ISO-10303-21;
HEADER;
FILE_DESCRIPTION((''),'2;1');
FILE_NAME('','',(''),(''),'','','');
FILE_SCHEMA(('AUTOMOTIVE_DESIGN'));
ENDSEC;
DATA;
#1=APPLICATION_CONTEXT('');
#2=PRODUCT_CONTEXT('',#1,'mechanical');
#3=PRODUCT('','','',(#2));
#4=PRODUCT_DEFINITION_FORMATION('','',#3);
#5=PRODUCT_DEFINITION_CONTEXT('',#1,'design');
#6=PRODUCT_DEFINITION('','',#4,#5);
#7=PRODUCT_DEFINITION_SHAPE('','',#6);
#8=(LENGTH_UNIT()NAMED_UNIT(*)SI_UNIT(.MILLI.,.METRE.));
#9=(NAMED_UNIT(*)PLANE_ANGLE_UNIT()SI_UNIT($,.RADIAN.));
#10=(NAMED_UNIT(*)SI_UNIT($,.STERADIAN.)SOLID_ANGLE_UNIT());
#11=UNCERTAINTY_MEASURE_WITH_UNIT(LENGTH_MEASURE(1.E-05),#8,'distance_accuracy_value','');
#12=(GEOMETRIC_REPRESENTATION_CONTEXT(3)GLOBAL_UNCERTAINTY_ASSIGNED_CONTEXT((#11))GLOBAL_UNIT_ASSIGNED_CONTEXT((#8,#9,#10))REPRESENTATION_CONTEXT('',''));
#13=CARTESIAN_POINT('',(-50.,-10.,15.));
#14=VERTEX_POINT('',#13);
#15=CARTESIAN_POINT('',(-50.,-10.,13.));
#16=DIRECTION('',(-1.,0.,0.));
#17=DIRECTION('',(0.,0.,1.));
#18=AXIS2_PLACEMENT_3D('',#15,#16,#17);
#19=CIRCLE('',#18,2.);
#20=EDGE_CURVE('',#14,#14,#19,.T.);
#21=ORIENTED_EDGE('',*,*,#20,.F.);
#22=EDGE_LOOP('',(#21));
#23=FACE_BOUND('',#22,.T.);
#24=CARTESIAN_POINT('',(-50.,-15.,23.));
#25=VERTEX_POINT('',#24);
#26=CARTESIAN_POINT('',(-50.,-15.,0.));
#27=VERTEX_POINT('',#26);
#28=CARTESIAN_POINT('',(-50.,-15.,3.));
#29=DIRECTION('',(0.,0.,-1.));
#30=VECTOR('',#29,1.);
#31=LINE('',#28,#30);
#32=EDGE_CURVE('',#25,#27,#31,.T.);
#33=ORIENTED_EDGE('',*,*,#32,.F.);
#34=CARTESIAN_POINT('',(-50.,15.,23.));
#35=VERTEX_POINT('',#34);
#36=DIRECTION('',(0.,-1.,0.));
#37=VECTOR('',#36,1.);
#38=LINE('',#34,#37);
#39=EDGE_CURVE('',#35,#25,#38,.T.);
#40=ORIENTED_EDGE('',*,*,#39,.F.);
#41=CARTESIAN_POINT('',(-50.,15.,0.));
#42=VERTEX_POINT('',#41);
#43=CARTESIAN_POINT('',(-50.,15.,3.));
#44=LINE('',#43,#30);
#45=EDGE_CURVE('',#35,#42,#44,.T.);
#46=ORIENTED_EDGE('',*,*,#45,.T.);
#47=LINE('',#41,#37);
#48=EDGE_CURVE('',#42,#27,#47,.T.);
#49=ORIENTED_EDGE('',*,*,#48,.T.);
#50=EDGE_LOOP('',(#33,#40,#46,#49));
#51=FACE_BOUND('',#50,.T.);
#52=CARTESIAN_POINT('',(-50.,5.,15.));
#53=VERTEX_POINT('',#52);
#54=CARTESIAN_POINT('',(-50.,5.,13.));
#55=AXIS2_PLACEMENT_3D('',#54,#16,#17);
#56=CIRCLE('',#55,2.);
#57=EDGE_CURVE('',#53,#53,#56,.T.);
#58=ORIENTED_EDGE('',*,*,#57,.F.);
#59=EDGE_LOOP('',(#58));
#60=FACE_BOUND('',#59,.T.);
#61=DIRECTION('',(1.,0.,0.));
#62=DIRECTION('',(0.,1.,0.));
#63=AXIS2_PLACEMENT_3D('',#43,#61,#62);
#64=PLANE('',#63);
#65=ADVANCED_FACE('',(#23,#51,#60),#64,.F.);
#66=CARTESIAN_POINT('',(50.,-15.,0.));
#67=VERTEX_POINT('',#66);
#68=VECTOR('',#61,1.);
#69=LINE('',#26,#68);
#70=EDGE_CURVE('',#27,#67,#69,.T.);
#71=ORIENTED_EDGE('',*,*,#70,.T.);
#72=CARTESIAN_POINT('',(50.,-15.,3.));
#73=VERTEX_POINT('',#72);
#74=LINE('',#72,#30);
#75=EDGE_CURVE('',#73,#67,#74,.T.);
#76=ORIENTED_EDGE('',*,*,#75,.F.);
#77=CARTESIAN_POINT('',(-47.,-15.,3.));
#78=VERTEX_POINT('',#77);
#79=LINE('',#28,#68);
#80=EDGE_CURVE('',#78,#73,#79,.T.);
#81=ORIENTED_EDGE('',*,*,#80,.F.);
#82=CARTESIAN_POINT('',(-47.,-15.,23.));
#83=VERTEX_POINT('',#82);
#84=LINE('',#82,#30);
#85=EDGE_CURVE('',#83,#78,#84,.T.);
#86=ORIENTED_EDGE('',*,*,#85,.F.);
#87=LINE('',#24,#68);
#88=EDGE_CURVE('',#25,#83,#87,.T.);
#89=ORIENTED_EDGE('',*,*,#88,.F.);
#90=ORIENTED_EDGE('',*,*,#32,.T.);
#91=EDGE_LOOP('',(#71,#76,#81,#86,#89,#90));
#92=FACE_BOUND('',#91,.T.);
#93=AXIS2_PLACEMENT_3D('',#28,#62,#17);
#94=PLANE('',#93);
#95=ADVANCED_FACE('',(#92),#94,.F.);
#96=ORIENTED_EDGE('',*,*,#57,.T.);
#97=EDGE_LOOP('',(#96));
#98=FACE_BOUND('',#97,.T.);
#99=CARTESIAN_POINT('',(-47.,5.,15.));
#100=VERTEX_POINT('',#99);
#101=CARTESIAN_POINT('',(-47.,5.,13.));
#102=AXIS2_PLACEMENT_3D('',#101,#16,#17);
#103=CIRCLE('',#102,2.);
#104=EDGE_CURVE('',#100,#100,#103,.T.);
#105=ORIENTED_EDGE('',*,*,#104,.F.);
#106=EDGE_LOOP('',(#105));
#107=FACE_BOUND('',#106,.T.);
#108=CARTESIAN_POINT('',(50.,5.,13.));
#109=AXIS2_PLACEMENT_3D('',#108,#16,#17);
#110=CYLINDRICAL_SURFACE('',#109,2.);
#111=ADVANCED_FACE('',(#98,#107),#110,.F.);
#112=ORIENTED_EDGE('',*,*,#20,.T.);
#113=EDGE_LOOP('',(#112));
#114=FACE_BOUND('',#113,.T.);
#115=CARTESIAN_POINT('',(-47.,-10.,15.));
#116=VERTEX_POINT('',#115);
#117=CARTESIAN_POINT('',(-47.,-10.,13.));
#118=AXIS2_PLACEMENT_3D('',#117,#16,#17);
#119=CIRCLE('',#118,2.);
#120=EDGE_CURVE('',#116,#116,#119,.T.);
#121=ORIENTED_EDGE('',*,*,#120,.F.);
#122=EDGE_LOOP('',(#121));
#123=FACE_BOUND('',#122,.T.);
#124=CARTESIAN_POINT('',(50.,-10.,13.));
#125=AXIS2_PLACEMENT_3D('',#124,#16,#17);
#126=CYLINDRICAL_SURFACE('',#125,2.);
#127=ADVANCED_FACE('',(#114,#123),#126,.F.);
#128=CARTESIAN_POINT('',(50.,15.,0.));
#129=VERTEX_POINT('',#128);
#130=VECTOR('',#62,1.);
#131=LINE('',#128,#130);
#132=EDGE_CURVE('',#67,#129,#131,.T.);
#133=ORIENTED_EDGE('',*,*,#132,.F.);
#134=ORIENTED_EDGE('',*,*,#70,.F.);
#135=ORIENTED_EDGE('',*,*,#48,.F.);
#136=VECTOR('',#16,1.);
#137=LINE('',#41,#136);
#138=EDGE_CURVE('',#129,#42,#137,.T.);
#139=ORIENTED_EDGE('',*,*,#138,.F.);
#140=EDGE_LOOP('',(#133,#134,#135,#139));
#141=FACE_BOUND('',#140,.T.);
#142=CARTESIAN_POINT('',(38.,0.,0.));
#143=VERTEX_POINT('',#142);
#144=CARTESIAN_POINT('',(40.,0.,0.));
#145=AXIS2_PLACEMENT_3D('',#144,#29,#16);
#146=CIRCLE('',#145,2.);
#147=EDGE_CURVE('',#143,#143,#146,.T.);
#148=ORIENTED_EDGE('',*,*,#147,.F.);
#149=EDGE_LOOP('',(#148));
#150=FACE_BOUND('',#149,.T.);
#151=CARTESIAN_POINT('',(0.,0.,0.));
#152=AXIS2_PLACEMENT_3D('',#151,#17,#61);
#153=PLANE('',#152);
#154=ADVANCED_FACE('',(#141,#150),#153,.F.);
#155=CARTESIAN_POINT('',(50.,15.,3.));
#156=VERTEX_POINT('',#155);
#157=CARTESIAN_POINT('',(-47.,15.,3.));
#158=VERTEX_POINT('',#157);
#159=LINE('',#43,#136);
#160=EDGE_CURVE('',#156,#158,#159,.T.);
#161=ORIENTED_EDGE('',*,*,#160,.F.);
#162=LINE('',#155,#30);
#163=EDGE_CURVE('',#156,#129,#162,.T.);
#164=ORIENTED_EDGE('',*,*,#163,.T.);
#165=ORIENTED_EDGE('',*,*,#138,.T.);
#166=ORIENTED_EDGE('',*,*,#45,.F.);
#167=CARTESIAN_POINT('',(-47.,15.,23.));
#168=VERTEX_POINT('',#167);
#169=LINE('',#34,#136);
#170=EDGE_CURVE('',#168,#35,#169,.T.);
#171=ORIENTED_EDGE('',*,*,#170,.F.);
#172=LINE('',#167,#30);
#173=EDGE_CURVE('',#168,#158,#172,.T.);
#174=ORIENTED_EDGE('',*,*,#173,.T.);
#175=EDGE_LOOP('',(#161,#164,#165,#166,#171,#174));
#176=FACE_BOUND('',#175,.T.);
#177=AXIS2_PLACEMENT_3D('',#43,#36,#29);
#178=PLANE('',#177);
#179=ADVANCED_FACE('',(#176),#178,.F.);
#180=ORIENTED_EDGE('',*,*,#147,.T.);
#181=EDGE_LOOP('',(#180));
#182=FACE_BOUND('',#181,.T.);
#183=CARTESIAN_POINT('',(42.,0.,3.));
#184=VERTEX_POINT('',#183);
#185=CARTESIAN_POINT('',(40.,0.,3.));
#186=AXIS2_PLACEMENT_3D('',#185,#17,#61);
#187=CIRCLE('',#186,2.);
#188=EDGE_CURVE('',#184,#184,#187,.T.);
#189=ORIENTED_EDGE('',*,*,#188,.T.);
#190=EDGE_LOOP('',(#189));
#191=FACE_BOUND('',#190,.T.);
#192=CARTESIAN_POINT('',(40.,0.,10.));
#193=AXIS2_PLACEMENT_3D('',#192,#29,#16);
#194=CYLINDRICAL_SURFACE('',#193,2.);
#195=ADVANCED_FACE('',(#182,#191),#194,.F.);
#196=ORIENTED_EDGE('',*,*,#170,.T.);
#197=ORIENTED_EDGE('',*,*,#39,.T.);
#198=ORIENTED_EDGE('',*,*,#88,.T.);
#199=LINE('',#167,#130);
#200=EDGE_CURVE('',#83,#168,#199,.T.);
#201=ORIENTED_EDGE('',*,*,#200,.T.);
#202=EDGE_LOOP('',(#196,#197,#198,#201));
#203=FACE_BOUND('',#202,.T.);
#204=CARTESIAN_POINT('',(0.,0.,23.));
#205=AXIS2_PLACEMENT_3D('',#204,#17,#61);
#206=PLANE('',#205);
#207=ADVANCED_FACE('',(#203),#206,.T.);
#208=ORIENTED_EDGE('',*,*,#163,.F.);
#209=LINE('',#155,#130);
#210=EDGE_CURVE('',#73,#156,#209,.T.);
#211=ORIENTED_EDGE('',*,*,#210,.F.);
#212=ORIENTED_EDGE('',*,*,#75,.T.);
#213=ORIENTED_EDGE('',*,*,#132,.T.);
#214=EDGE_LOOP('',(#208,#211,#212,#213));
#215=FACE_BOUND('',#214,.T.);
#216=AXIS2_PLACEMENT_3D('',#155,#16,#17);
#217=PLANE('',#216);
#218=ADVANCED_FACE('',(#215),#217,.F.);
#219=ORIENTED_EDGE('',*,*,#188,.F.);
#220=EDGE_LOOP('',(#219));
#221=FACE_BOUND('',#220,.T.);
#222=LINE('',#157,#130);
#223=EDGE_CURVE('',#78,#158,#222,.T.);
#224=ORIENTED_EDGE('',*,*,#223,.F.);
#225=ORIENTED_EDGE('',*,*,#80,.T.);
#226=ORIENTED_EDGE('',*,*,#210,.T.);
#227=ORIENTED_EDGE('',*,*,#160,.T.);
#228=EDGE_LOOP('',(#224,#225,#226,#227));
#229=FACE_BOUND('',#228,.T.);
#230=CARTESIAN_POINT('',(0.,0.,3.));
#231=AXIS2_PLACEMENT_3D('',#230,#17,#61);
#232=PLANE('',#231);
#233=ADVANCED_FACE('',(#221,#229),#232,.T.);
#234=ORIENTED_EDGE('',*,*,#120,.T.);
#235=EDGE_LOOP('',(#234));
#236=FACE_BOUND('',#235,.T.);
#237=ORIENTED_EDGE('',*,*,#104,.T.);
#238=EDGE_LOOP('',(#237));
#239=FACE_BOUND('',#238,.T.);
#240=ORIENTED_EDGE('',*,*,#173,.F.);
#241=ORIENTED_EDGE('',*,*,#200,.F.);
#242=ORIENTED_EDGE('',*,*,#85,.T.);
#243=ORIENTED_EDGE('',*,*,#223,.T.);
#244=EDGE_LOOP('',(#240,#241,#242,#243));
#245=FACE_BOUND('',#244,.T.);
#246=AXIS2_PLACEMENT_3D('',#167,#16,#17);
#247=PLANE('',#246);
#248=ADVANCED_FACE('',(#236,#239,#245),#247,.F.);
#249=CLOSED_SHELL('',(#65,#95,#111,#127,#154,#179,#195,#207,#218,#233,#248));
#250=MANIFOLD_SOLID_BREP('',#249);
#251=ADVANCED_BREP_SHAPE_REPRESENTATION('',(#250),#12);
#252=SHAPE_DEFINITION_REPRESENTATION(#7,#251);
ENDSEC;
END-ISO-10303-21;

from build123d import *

# Parameters (mm, degrees)
SKETCH1_W           = 100
SKETCH1_H           = 30
BOSS_EXTRUDE1_DEPTH = 3
SKETCH2_W           = 3
SKETCH2_H           = 30
BOSS_EXTRUDE2_DEPTH = 20
SKETCH3_R           = 2
CUT_EXTRUDE1_DEPTH  = 104.701494685
SKETCH4_R           = 2
CUT_EXTRUDE2_DEPTH  = 10


with BuildPart() as part:
    # Sketch1 → Boss-Extrude1 (new body)
    with BuildSketch(Plane.XY):
        Rectangle(SKETCH1_W, SKETCH1_H)
    extrude(amount=BOSS_EXTRUDE1_DEPTH)

    # Sketch2 → Boss-Extrude2 (add)
    with BuildSketch(Plane.XY.offset(3)):
        with Locations((-48.5, 0)):
            Rectangle(SKETCH2_W, SKETCH2_H)
    extrude(amount=BOSS_EXTRUDE2_DEPTH)

    # Sketch3 → Cut-Extrude1 (cut, through all)
    with BuildSketch(Plane.ZY.offset(50)):
        with Locations((13, 5)):
            Circle(SKETCH3_R)
        with Locations((13, -10)):
            Circle(SKETCH3_R)
    extrude(amount=-CUT_EXTRUDE1_DEPTH, mode=Mode.SUBTRACT)

    # Sketch4 → Cut-Extrude2 (cut)
    with BuildSketch(Plane(origin=(0, 0, 0), x_dir=(-1, 0, 0), z_dir=(0, 0, -1))):
        with Locations((-40, 0)):
            Circle(SKETCH4_R)
    extrude(amount=-CUT_EXTRUDE2_DEPTH, mode=Mode.SUBTRACT)


solid = part.part
